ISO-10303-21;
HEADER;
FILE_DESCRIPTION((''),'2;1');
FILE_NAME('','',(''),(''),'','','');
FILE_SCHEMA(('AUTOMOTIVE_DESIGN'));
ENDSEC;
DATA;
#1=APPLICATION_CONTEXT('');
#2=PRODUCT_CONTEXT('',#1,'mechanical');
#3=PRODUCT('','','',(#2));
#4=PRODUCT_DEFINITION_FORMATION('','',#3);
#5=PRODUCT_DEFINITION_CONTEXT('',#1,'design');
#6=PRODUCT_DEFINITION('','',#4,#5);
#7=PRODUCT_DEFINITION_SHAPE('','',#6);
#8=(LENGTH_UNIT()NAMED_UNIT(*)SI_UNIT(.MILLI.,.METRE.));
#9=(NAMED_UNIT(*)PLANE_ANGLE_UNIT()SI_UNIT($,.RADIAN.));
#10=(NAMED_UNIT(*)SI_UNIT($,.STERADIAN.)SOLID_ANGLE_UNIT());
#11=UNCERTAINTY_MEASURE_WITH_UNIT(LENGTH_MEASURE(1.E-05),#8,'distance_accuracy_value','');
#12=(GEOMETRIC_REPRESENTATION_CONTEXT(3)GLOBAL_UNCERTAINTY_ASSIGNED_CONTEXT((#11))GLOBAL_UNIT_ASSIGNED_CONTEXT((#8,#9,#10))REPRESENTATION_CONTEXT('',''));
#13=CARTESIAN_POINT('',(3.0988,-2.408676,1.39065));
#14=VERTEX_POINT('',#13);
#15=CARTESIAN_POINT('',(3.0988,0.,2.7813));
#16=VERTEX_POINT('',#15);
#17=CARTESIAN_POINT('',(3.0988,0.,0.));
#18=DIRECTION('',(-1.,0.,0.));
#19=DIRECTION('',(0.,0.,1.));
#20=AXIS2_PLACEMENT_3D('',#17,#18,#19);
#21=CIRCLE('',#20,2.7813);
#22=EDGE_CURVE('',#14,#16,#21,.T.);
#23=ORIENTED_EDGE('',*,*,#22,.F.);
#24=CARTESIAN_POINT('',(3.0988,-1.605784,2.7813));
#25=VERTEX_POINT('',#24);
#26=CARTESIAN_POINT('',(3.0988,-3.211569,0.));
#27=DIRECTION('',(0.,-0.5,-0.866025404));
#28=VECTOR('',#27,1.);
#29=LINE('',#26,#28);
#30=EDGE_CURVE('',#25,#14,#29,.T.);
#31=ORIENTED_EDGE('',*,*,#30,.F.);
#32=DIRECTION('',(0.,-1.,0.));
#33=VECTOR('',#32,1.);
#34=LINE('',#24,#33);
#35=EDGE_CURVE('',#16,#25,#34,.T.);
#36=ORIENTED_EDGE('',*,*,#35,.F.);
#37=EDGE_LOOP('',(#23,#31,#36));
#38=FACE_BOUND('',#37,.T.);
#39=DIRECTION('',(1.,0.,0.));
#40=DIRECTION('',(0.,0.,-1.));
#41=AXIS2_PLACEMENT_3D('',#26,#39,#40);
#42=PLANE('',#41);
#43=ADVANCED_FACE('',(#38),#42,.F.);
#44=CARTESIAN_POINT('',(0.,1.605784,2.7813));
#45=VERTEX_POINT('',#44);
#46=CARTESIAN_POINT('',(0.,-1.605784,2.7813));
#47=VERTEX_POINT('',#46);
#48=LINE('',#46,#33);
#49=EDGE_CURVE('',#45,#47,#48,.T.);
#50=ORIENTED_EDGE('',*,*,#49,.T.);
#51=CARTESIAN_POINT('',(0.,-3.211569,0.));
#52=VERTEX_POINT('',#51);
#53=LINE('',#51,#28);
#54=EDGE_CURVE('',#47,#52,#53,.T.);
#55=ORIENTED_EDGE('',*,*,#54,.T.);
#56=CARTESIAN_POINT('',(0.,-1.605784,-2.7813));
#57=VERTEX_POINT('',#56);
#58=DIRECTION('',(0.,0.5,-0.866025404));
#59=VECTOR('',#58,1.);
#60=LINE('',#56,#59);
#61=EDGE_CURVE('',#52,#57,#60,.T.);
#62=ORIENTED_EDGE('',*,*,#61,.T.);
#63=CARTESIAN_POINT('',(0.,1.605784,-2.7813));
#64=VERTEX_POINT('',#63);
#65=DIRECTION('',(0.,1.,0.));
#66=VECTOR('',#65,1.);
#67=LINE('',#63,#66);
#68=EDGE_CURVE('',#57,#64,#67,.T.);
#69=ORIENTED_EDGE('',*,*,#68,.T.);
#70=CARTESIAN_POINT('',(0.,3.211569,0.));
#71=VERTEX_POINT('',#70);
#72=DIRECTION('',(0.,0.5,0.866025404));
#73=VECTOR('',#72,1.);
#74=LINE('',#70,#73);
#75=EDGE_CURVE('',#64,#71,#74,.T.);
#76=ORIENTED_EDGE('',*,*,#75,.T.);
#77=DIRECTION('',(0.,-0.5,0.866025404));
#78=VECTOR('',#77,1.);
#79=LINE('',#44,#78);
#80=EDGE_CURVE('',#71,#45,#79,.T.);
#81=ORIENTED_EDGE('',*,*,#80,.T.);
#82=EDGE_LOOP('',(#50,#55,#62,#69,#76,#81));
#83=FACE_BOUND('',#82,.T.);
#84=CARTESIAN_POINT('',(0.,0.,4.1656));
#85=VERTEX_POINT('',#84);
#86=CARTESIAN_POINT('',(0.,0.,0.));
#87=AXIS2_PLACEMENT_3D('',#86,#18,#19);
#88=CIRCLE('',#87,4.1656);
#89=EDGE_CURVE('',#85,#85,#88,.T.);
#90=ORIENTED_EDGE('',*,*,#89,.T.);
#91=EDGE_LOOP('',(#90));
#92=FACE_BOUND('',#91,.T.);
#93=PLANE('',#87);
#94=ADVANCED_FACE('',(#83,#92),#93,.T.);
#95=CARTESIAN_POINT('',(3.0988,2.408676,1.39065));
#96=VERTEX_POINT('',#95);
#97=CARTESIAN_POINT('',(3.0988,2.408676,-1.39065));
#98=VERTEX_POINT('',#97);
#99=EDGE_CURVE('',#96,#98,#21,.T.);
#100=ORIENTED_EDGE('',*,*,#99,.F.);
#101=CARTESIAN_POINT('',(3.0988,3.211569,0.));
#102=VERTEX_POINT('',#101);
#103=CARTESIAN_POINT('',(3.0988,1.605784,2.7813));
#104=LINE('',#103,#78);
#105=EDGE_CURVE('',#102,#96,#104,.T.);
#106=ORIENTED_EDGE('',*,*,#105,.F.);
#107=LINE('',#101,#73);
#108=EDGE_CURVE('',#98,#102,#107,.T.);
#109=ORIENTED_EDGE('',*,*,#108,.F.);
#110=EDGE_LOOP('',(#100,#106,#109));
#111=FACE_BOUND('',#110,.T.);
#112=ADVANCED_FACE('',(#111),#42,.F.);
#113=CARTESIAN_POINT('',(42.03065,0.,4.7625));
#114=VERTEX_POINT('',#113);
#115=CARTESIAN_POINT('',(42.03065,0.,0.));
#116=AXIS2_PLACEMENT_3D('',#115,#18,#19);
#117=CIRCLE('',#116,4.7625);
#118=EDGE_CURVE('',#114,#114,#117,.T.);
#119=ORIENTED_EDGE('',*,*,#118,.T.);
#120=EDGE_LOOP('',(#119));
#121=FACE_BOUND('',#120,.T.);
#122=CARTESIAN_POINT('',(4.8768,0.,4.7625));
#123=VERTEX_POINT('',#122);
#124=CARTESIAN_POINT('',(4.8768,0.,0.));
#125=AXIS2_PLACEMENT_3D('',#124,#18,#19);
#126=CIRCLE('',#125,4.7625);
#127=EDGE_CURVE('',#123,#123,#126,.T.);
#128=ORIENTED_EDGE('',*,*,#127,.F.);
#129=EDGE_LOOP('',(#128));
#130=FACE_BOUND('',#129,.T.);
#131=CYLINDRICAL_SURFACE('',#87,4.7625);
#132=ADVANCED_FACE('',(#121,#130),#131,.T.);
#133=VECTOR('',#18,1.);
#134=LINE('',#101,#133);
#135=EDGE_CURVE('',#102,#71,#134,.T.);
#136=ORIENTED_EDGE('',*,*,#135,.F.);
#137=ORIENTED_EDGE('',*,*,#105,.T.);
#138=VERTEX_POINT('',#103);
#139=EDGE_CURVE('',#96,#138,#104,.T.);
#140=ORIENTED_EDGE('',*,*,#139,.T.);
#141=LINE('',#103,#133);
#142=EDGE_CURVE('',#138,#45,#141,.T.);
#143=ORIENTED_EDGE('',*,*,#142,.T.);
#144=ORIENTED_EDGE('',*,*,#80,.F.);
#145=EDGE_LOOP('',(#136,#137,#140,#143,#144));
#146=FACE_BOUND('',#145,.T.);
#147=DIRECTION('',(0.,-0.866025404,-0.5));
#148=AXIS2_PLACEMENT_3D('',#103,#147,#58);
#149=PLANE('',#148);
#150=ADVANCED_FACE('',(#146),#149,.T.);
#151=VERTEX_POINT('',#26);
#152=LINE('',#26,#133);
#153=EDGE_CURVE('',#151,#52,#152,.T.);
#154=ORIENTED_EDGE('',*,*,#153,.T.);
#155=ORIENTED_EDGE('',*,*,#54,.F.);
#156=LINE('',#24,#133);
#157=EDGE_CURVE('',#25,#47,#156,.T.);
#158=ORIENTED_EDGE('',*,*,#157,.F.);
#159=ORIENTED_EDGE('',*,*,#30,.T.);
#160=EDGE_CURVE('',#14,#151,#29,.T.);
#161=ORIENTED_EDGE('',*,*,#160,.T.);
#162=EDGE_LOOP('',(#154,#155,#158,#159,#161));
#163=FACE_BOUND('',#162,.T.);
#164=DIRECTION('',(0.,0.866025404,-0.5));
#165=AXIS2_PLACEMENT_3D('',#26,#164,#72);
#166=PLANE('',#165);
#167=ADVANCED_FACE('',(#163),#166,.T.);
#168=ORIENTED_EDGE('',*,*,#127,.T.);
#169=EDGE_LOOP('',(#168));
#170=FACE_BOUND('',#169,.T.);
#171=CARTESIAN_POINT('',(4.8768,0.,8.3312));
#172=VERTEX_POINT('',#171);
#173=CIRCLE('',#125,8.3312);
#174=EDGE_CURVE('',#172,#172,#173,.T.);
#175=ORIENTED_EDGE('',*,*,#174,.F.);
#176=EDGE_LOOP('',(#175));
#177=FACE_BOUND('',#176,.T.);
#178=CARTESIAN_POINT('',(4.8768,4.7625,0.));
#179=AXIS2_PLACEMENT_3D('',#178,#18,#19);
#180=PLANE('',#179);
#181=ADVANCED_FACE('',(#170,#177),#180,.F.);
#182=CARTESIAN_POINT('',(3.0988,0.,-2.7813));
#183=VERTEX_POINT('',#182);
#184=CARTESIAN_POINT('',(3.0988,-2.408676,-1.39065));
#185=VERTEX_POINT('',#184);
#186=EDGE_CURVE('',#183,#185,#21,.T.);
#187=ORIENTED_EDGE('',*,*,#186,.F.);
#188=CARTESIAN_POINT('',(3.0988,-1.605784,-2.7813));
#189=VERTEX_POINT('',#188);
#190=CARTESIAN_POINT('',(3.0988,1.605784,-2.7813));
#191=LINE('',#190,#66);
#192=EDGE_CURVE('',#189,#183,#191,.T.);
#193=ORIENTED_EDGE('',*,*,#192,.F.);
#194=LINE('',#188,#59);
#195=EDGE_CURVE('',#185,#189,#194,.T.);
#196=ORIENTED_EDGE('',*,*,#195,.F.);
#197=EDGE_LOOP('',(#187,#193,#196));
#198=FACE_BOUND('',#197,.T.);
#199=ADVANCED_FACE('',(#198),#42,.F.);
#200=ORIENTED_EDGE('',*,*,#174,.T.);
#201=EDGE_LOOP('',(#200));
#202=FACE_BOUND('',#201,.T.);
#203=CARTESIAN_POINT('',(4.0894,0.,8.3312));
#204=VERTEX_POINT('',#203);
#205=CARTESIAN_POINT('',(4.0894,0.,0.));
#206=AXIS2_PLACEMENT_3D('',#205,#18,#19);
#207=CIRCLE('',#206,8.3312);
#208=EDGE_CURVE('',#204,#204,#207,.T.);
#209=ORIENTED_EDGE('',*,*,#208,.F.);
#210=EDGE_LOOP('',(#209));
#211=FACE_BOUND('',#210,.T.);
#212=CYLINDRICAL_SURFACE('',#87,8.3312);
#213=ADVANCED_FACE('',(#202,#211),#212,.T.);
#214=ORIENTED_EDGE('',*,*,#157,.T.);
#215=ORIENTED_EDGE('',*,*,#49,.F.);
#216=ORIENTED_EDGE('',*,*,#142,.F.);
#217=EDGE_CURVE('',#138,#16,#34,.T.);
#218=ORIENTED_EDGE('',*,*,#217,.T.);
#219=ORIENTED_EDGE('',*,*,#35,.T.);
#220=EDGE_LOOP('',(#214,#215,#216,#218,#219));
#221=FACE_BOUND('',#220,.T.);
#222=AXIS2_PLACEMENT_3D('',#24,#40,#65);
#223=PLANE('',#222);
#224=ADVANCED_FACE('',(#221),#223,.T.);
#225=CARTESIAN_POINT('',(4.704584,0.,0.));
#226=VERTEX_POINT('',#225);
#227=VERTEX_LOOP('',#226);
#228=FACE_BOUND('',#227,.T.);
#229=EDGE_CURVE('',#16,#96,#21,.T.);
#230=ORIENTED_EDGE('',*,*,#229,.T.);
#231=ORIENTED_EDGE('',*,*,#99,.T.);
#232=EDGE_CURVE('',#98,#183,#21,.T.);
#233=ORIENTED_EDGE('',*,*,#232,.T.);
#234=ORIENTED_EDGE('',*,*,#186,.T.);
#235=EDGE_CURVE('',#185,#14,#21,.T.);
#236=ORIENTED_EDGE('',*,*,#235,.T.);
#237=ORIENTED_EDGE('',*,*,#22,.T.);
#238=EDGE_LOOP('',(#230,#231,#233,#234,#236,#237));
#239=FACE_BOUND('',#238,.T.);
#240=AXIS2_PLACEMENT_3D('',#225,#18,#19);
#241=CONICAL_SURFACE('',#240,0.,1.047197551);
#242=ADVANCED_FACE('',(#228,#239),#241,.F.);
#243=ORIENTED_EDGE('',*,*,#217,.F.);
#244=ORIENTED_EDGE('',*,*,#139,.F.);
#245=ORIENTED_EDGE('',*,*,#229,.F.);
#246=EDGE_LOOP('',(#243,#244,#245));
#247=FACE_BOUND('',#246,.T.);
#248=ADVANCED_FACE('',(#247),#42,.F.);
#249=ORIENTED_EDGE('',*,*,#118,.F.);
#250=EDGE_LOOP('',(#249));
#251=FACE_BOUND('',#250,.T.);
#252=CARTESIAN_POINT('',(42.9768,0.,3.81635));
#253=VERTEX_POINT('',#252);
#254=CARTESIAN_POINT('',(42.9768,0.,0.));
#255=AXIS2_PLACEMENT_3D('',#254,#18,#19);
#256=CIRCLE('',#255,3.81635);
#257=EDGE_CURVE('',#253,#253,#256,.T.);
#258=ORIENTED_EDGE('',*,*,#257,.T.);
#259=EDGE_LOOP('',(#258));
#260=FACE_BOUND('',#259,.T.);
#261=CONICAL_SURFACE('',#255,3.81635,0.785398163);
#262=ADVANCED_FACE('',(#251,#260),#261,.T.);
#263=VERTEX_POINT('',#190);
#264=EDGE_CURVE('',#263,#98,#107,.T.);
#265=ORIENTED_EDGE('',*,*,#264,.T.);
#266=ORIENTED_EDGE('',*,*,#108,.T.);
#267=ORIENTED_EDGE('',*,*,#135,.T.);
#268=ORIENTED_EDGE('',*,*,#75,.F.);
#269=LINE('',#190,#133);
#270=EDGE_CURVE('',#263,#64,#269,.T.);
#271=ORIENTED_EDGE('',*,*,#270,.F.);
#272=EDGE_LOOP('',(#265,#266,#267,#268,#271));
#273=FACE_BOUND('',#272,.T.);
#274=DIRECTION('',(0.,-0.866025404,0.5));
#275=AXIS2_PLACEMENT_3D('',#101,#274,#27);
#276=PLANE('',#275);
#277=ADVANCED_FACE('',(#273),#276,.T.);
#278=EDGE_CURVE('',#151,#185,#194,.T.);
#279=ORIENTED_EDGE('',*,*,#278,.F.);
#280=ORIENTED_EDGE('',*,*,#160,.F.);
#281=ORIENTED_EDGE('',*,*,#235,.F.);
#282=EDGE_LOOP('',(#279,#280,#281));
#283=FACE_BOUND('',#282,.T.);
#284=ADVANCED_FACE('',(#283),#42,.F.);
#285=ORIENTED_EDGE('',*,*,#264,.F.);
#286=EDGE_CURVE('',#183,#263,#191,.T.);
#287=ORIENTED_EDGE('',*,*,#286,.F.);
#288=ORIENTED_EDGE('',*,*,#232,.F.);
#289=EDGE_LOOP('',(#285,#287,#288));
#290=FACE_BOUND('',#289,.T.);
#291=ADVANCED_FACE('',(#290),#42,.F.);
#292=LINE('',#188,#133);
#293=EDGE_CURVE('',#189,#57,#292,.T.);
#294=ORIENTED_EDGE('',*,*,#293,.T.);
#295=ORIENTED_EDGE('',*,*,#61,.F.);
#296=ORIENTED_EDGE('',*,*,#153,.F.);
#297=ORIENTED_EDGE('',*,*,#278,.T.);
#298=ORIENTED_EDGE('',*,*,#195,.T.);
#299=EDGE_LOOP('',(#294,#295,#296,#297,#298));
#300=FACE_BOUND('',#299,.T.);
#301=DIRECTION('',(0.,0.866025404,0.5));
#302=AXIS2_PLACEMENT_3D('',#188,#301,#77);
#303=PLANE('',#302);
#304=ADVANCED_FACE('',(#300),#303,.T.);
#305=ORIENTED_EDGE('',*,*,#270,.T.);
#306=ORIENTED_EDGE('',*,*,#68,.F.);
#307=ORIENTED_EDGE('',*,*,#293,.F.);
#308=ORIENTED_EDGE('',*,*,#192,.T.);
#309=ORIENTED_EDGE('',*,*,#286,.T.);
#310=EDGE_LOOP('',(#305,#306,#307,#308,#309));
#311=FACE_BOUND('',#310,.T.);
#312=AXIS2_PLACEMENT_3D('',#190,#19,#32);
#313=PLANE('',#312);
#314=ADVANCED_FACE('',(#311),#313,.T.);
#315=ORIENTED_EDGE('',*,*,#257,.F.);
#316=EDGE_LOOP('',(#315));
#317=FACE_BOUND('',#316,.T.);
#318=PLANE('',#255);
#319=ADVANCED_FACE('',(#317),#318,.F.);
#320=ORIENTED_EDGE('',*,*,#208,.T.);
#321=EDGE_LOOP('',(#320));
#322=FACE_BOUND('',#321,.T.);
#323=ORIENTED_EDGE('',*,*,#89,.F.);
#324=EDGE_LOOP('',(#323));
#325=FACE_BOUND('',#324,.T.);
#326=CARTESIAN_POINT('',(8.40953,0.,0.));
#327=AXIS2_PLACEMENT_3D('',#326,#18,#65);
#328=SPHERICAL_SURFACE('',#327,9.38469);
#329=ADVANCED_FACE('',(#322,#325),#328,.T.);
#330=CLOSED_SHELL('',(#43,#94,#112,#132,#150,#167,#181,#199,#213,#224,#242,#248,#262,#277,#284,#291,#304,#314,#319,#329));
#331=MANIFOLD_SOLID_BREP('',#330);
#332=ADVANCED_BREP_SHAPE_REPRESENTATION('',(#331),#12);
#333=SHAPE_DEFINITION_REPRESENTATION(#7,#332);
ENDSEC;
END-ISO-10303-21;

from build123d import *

# Parameters (mm, degrees)
HEX_2_DEPTH = 3.0988


with BuildPart() as part:
    # BodySke → BaseBody (revolve)
    with BuildSketch(Plane.XY, mode=Mode.PRIVATE) as basebody_sk:
        with BuildLine():
            Line((42.9768, 0), (42.9768, 3.81635))
            Line((42.9768, 3.81635), (42.03065, 4.7625))
            Line((42.03065, 4.7625), (4.8768, 4.7625))
            Line((4.8768, 4.7625), (4.8768, 8.3312))
            Line((4.8768, 8.3312), (4.0894, 8.3312))
            ThreePointArc((4.0894, 8.3312), (1.712581673, 6.574442992), (0, 4.1656))
            Line((0, 4.1656), (0, 0))
            Line((0, 0), (42.9768, 0))
        make_face()
    revolve(basebody_sk.sketch.rotate(Axis((0, 0, 0), (1, 0, 0)), 90), axis=Axis((0, 0, 0), (1, 0, 0)))  # turned: the seam where the file's is

    # Sketch2 → PreBroach (revolve, cut)
    with BuildSketch(Plane.XY, mode=Mode.PRIVATE) as prebroach_sk:
        Polygon((0, 2.7813), (3.0988, 2.7813), (4.704584304, 0), (0, 0), align=None)
    revolve(prebroach_sk.sketch.rotate(Axis((0, 0, 0), (1, 0, 0)), 90), axis=Axis((0, 0, 0), (1, 0, 0)), mode=Mode.SUBTRACT)  # turned: the seam where the file's is

    # Sketch3 → Hex 2 (cut)
    with BuildSketch(Plane(origin=(0, 0, 0), x_dir=(0, 0, -1), z_dir=(1, 0, 0))):
        Polygon((-2.7813, -1.605784304), (-2.7813, 1.605784304), (0, 3.211568607), (2.7813, 1.605784304), (2.7813, -1.605784304), (0, -3.211568607), align=None)
    extrude(amount=HEX_2_DEPTH, mode=Mode.SUBTRACT)


solid = part.part
